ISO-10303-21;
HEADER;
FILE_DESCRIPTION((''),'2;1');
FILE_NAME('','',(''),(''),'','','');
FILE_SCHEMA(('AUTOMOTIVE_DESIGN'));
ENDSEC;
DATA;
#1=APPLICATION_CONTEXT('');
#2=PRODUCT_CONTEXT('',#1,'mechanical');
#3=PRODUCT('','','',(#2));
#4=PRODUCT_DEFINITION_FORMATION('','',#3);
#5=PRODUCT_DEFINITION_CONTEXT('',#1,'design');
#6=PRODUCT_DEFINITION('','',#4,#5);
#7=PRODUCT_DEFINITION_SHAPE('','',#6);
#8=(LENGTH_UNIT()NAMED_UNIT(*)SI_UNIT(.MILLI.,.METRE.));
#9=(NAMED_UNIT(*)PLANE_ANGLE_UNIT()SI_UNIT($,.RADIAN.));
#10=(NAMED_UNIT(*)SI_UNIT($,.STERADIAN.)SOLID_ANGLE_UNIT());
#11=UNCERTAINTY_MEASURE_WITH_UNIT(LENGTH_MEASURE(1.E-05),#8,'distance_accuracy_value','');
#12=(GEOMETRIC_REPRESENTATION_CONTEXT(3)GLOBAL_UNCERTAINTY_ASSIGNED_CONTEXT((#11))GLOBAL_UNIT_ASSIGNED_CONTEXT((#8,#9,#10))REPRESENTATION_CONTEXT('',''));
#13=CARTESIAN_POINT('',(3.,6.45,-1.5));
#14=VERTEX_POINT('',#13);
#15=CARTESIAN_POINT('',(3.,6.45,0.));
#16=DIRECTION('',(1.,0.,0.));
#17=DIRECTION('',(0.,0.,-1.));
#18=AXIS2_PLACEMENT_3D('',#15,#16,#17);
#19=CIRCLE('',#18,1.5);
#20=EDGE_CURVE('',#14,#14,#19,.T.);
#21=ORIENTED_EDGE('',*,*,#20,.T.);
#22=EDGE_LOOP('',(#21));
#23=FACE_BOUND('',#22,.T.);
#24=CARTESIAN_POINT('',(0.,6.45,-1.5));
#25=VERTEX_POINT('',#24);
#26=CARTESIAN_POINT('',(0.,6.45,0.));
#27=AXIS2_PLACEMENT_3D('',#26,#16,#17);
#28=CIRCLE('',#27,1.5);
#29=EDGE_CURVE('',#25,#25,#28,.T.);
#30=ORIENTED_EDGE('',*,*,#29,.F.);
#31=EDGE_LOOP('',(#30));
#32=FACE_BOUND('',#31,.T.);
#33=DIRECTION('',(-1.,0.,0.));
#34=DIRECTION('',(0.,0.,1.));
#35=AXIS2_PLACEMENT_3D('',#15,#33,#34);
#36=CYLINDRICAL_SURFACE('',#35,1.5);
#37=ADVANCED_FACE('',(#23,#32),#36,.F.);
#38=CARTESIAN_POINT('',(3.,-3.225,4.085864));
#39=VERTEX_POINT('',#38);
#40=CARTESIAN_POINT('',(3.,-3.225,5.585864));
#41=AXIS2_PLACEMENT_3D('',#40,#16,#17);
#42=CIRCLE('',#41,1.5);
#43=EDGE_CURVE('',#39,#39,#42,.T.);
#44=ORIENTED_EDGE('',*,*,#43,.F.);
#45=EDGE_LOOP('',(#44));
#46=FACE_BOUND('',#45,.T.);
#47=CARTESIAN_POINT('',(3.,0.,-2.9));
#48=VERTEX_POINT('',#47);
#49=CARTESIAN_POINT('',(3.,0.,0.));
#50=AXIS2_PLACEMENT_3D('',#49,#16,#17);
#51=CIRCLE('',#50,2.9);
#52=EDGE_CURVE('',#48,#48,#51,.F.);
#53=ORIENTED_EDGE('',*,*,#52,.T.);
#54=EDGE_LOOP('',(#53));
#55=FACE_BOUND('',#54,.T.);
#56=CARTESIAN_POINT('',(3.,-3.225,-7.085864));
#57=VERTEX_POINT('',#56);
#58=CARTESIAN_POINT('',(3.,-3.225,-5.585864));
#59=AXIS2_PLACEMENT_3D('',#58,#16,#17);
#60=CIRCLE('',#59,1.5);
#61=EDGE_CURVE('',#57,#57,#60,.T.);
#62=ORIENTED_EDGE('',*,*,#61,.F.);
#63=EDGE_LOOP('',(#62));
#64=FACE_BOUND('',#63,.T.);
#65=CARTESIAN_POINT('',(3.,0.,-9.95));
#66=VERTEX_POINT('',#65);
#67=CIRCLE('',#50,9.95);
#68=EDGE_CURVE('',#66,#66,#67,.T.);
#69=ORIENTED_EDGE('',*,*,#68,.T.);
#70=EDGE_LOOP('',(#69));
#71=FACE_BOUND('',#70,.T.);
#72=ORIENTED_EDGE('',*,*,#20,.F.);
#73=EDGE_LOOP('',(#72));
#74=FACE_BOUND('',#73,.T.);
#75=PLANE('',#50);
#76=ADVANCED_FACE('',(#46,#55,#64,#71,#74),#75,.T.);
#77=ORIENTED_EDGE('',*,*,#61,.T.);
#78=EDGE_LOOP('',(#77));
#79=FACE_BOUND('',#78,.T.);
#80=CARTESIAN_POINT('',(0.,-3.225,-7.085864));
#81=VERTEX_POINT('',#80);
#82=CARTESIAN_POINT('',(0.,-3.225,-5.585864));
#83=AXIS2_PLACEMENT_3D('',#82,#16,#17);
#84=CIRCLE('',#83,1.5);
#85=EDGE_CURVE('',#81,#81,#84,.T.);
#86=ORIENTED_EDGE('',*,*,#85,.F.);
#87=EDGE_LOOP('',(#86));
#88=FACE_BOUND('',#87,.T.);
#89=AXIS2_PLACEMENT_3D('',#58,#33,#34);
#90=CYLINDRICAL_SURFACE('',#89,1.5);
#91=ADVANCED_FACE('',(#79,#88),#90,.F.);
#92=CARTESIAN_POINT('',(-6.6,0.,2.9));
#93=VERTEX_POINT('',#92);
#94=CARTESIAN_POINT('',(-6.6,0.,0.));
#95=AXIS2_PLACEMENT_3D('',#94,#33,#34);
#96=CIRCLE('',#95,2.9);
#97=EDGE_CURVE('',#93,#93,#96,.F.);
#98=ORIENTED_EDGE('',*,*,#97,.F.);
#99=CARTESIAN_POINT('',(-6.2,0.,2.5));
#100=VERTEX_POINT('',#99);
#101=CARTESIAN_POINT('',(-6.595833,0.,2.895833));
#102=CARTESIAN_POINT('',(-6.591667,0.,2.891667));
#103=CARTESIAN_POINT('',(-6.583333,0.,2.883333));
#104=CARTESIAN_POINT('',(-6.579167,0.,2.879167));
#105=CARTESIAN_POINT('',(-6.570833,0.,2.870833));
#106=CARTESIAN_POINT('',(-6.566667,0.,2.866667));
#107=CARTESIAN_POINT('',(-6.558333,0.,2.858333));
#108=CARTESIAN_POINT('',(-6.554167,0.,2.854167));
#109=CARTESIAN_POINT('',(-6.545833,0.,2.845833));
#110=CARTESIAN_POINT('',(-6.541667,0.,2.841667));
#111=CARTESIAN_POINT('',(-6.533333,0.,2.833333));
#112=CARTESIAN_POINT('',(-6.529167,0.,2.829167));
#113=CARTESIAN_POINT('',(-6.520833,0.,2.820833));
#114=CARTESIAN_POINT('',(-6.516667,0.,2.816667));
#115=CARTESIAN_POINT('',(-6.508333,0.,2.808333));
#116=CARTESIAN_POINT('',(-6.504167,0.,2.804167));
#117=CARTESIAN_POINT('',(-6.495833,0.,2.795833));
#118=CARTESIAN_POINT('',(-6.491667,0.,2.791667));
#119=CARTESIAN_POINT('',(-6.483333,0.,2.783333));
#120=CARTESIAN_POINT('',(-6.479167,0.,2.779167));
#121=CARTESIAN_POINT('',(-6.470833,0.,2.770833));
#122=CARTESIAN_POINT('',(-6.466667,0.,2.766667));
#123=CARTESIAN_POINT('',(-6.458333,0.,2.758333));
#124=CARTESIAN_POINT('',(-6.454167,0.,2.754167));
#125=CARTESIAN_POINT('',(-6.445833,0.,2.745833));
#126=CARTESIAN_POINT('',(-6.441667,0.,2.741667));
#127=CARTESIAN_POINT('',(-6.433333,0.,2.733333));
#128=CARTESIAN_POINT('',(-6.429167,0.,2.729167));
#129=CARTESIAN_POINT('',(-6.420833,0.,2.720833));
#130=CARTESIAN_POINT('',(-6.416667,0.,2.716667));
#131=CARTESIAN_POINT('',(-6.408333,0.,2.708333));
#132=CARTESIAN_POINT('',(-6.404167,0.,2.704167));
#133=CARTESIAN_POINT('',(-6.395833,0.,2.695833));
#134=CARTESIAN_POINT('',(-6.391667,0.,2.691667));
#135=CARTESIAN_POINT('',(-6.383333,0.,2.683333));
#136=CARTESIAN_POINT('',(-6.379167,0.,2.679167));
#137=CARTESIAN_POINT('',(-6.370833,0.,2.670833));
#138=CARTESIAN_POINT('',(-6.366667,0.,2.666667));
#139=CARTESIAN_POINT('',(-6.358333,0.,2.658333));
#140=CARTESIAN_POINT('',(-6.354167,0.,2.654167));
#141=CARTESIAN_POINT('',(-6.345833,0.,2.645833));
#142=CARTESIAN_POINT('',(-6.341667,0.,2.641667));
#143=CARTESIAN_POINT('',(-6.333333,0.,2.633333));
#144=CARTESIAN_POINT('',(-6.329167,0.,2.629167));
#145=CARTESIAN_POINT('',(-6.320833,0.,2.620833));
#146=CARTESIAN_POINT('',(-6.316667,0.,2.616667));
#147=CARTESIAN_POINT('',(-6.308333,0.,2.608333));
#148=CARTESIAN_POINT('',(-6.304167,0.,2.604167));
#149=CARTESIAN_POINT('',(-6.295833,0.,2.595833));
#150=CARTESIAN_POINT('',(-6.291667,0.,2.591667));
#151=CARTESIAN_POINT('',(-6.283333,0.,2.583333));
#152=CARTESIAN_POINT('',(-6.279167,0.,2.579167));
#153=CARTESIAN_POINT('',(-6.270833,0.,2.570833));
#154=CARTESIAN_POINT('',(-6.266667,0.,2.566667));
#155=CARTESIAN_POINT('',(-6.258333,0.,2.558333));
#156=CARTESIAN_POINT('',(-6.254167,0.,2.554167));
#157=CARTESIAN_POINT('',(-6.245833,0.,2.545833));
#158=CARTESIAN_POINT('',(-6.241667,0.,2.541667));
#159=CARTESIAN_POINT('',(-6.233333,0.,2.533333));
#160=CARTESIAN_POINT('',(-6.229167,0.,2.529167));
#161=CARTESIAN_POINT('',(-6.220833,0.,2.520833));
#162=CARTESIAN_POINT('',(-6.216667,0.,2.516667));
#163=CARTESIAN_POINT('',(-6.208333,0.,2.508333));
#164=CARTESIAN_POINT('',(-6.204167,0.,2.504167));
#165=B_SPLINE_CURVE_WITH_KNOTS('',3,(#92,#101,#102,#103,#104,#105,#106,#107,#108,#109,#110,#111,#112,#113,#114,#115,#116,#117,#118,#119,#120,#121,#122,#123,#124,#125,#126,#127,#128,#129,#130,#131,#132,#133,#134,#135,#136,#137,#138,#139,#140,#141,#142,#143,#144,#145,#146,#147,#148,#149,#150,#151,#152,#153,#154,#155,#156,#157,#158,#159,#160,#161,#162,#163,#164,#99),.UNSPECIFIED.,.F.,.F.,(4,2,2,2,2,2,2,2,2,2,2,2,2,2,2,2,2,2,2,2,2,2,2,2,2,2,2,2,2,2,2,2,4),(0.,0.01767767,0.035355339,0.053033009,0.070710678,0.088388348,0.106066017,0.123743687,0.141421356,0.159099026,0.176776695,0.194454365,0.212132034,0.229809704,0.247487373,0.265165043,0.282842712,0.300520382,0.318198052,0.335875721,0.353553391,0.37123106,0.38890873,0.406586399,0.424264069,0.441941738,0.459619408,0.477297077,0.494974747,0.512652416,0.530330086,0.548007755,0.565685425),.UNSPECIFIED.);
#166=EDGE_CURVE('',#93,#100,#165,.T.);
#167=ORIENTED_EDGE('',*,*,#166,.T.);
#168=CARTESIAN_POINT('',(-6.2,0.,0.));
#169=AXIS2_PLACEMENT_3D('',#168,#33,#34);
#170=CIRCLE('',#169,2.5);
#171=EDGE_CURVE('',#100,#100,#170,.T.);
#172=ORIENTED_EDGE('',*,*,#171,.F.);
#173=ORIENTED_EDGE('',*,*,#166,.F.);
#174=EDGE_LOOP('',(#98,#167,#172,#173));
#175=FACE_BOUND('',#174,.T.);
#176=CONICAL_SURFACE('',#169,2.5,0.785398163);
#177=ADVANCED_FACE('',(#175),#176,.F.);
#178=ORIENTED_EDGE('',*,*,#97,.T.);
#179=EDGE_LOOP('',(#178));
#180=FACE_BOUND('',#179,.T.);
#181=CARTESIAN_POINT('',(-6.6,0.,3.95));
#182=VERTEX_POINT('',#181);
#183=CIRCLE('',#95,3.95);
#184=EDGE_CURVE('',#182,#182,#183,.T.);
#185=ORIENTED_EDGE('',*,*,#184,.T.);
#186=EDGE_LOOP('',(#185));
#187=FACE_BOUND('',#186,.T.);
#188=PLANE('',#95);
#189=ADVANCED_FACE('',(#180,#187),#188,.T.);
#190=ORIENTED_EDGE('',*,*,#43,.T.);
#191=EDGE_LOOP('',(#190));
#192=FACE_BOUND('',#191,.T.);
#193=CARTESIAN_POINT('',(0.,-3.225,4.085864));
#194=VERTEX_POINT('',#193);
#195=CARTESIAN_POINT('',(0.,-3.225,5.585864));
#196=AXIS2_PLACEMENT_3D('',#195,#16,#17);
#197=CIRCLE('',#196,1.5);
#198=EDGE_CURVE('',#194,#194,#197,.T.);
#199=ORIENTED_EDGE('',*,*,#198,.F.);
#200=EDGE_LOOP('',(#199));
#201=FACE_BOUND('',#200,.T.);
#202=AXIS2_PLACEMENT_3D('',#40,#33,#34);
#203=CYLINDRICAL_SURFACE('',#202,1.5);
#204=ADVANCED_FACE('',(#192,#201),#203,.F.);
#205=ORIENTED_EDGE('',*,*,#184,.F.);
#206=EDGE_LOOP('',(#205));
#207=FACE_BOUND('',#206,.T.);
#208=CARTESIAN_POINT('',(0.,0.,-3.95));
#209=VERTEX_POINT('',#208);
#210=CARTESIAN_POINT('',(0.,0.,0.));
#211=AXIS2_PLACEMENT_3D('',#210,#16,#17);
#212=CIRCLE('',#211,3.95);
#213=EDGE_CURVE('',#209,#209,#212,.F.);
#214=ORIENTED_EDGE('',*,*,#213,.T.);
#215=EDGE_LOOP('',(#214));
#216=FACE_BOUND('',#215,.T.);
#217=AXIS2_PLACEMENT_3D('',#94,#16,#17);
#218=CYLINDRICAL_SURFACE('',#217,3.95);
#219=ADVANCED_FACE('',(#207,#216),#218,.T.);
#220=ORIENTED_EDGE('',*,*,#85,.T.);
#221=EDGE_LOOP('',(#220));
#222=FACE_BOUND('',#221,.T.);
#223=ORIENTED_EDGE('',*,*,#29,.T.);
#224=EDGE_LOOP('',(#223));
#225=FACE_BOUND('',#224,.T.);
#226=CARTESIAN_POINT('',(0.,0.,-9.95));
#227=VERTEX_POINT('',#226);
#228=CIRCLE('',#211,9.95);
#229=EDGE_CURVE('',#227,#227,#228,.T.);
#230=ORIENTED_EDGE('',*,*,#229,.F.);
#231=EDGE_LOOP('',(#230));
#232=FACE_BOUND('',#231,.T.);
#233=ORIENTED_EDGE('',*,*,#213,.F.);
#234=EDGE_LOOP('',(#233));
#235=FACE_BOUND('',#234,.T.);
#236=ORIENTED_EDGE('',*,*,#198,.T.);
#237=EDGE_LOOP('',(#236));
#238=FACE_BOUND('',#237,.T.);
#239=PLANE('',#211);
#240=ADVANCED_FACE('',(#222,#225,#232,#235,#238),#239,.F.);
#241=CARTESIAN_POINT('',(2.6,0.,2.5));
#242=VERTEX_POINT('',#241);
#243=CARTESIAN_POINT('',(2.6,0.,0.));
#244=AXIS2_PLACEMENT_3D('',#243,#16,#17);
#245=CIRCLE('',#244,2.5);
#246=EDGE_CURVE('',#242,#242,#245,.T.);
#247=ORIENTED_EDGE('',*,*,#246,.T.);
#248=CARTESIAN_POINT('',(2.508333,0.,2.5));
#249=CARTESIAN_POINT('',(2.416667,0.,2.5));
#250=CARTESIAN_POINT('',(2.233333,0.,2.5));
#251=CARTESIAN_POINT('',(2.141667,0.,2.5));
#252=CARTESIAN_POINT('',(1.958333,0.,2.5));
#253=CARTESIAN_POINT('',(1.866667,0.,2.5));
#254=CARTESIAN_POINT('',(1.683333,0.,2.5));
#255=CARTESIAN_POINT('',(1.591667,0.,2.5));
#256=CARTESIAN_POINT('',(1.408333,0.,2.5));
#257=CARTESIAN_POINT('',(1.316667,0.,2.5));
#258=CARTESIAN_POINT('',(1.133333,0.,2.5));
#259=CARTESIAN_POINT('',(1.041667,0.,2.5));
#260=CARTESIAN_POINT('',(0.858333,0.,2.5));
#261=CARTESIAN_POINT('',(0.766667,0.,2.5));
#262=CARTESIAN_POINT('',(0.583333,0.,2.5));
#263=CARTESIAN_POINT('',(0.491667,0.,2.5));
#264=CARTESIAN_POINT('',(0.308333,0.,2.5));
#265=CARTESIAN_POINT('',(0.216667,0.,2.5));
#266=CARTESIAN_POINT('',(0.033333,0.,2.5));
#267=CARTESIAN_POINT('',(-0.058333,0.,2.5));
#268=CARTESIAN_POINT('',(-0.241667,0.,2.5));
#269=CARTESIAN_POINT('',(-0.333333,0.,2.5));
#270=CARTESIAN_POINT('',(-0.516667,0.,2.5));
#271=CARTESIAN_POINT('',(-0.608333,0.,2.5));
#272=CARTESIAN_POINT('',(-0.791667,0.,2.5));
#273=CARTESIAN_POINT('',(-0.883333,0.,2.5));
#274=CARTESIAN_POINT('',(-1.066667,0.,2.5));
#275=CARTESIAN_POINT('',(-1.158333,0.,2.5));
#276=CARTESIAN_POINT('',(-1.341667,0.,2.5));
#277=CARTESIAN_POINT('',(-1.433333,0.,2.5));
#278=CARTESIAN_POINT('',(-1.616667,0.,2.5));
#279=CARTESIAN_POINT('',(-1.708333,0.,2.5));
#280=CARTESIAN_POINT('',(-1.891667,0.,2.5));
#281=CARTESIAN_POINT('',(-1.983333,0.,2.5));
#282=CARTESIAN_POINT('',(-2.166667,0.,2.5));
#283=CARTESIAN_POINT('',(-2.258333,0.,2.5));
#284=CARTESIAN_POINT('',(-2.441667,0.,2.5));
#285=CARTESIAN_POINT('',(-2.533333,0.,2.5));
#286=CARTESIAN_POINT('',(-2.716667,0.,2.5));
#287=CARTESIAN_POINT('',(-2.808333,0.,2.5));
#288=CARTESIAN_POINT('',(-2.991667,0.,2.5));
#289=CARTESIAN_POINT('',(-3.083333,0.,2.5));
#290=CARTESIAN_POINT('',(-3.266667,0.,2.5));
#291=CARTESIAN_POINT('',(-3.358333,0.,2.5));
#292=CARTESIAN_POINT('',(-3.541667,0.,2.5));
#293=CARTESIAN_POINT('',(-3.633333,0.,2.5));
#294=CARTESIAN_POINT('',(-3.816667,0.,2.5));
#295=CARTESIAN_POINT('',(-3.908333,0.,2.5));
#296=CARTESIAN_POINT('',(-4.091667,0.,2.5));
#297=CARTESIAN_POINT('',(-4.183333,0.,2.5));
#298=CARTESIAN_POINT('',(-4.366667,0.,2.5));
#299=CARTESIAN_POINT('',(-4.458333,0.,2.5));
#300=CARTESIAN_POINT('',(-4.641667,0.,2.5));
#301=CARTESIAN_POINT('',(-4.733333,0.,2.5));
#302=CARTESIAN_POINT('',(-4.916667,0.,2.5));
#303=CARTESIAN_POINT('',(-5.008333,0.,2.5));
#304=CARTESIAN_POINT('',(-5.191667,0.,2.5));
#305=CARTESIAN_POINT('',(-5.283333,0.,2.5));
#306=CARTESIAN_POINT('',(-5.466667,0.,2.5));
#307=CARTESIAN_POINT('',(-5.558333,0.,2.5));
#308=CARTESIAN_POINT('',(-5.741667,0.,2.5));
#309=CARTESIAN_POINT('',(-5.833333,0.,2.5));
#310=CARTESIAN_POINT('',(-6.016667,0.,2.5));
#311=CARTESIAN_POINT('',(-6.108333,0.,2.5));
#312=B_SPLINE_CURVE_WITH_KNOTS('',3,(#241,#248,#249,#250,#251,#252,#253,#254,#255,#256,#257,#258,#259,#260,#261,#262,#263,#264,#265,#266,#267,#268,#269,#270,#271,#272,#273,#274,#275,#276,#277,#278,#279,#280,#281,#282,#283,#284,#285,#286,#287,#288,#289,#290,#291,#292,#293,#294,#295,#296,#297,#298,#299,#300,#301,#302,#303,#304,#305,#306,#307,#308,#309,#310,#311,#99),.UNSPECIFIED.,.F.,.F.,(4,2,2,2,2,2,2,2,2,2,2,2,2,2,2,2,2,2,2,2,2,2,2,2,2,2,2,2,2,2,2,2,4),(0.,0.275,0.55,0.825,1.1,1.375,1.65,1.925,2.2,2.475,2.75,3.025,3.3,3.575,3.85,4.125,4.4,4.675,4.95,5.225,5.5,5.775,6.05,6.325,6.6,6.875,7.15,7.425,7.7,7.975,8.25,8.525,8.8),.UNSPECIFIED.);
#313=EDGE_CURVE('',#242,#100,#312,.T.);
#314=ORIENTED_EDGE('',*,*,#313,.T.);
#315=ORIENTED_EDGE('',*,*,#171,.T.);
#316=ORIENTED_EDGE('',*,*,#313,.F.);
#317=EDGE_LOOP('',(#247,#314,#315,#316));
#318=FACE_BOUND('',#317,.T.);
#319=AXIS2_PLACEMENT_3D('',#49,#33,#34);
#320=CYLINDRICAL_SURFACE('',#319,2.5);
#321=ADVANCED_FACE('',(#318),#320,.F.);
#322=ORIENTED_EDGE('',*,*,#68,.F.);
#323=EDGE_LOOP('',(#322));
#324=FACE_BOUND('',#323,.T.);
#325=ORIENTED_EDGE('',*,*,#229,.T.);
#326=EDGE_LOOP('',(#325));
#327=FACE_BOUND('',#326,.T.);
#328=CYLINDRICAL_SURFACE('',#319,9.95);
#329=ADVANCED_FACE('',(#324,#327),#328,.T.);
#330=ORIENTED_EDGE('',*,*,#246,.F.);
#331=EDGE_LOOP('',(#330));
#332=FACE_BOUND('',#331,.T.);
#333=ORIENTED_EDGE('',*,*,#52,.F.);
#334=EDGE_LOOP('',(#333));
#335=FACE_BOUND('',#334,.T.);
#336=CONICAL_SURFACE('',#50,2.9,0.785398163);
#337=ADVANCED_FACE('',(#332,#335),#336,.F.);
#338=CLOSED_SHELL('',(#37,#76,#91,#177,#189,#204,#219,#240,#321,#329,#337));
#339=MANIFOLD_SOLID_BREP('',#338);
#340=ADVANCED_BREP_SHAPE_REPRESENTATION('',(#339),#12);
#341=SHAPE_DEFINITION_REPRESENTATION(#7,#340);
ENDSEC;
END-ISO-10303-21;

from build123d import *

# Parameters (mm, degrees)
SKETCH_1_R               = 9.95
SKETCH_1_R_2             = 1.5
EXTRUDE_1_DEPTH          = 3
SKETCH_2_R               = 3.95
EXTRUDE_2_DEPTH          = 6.6
CUT_EXTRUDE_1_DEPTH      = 18.034230244
CUT_EXTRUDE_1_DEPTH_BACK = 18.034230244
SKETCH_3_R               = 2.5
CHAMFER_1_SIZE           = 0.4


with BuildPart() as part:
    # Эскиз1 → Бобышка-Вытянуть1 (new body)
    with BuildSketch(Plane(origin=(0, 0, 0), x_dir=(0, 0, -1), z_dir=(1, 0, 0))):
        Circle(SKETCH_1_R)
        with Locations((0, 6.45)):
            Circle(SKETCH_1_R_2, mode=Mode.SUBTRACT)
        with Locations((5.585863854, -3.225)):
            Circle(SKETCH_1_R_2, mode=Mode.SUBTRACT)
        with Locations((-5.585863854, -3.225)):
            Circle(SKETCH_1_R_2, mode=Mode.SUBTRACT)
    extrude(amount=EXTRUDE_1_DEPTH)

    # Эскиз2 → Бобышка-Вытянуть2 (add)
    with BuildSketch(Plane.ZY):
        with Locations(Location((0, 0, 0), (0, 0, 180))):
            Circle(SKETCH_2_R)
    extrude(amount=EXTRUDE_2_DEPTH)

    # Эскиз3 → Вырез-Вытянуть1 (cut, two sides: drawn at the far end of the back side and taken through both)
    with BuildSketch(Plane.ZY.offset(6.6).offset(-CUT_EXTRUDE_1_DEPTH_BACK)):
        Circle(SKETCH_3_R)
    extrude(amount=CUT_EXTRUDE_1_DEPTH + CUT_EXTRUDE_1_DEPTH_BACK, mode=Mode.SUBTRACT)

    # Фаска1
    chamfer_1_edges = [part.edges().sort_by_distance(p)[0] for p in [
        (-6.6, 0, -2.5),
        (3, 0, -2.5),
    ]]
    chamfer(chamfer_1_edges, length=CHAMFER_1_SIZE)


solid = part.part
